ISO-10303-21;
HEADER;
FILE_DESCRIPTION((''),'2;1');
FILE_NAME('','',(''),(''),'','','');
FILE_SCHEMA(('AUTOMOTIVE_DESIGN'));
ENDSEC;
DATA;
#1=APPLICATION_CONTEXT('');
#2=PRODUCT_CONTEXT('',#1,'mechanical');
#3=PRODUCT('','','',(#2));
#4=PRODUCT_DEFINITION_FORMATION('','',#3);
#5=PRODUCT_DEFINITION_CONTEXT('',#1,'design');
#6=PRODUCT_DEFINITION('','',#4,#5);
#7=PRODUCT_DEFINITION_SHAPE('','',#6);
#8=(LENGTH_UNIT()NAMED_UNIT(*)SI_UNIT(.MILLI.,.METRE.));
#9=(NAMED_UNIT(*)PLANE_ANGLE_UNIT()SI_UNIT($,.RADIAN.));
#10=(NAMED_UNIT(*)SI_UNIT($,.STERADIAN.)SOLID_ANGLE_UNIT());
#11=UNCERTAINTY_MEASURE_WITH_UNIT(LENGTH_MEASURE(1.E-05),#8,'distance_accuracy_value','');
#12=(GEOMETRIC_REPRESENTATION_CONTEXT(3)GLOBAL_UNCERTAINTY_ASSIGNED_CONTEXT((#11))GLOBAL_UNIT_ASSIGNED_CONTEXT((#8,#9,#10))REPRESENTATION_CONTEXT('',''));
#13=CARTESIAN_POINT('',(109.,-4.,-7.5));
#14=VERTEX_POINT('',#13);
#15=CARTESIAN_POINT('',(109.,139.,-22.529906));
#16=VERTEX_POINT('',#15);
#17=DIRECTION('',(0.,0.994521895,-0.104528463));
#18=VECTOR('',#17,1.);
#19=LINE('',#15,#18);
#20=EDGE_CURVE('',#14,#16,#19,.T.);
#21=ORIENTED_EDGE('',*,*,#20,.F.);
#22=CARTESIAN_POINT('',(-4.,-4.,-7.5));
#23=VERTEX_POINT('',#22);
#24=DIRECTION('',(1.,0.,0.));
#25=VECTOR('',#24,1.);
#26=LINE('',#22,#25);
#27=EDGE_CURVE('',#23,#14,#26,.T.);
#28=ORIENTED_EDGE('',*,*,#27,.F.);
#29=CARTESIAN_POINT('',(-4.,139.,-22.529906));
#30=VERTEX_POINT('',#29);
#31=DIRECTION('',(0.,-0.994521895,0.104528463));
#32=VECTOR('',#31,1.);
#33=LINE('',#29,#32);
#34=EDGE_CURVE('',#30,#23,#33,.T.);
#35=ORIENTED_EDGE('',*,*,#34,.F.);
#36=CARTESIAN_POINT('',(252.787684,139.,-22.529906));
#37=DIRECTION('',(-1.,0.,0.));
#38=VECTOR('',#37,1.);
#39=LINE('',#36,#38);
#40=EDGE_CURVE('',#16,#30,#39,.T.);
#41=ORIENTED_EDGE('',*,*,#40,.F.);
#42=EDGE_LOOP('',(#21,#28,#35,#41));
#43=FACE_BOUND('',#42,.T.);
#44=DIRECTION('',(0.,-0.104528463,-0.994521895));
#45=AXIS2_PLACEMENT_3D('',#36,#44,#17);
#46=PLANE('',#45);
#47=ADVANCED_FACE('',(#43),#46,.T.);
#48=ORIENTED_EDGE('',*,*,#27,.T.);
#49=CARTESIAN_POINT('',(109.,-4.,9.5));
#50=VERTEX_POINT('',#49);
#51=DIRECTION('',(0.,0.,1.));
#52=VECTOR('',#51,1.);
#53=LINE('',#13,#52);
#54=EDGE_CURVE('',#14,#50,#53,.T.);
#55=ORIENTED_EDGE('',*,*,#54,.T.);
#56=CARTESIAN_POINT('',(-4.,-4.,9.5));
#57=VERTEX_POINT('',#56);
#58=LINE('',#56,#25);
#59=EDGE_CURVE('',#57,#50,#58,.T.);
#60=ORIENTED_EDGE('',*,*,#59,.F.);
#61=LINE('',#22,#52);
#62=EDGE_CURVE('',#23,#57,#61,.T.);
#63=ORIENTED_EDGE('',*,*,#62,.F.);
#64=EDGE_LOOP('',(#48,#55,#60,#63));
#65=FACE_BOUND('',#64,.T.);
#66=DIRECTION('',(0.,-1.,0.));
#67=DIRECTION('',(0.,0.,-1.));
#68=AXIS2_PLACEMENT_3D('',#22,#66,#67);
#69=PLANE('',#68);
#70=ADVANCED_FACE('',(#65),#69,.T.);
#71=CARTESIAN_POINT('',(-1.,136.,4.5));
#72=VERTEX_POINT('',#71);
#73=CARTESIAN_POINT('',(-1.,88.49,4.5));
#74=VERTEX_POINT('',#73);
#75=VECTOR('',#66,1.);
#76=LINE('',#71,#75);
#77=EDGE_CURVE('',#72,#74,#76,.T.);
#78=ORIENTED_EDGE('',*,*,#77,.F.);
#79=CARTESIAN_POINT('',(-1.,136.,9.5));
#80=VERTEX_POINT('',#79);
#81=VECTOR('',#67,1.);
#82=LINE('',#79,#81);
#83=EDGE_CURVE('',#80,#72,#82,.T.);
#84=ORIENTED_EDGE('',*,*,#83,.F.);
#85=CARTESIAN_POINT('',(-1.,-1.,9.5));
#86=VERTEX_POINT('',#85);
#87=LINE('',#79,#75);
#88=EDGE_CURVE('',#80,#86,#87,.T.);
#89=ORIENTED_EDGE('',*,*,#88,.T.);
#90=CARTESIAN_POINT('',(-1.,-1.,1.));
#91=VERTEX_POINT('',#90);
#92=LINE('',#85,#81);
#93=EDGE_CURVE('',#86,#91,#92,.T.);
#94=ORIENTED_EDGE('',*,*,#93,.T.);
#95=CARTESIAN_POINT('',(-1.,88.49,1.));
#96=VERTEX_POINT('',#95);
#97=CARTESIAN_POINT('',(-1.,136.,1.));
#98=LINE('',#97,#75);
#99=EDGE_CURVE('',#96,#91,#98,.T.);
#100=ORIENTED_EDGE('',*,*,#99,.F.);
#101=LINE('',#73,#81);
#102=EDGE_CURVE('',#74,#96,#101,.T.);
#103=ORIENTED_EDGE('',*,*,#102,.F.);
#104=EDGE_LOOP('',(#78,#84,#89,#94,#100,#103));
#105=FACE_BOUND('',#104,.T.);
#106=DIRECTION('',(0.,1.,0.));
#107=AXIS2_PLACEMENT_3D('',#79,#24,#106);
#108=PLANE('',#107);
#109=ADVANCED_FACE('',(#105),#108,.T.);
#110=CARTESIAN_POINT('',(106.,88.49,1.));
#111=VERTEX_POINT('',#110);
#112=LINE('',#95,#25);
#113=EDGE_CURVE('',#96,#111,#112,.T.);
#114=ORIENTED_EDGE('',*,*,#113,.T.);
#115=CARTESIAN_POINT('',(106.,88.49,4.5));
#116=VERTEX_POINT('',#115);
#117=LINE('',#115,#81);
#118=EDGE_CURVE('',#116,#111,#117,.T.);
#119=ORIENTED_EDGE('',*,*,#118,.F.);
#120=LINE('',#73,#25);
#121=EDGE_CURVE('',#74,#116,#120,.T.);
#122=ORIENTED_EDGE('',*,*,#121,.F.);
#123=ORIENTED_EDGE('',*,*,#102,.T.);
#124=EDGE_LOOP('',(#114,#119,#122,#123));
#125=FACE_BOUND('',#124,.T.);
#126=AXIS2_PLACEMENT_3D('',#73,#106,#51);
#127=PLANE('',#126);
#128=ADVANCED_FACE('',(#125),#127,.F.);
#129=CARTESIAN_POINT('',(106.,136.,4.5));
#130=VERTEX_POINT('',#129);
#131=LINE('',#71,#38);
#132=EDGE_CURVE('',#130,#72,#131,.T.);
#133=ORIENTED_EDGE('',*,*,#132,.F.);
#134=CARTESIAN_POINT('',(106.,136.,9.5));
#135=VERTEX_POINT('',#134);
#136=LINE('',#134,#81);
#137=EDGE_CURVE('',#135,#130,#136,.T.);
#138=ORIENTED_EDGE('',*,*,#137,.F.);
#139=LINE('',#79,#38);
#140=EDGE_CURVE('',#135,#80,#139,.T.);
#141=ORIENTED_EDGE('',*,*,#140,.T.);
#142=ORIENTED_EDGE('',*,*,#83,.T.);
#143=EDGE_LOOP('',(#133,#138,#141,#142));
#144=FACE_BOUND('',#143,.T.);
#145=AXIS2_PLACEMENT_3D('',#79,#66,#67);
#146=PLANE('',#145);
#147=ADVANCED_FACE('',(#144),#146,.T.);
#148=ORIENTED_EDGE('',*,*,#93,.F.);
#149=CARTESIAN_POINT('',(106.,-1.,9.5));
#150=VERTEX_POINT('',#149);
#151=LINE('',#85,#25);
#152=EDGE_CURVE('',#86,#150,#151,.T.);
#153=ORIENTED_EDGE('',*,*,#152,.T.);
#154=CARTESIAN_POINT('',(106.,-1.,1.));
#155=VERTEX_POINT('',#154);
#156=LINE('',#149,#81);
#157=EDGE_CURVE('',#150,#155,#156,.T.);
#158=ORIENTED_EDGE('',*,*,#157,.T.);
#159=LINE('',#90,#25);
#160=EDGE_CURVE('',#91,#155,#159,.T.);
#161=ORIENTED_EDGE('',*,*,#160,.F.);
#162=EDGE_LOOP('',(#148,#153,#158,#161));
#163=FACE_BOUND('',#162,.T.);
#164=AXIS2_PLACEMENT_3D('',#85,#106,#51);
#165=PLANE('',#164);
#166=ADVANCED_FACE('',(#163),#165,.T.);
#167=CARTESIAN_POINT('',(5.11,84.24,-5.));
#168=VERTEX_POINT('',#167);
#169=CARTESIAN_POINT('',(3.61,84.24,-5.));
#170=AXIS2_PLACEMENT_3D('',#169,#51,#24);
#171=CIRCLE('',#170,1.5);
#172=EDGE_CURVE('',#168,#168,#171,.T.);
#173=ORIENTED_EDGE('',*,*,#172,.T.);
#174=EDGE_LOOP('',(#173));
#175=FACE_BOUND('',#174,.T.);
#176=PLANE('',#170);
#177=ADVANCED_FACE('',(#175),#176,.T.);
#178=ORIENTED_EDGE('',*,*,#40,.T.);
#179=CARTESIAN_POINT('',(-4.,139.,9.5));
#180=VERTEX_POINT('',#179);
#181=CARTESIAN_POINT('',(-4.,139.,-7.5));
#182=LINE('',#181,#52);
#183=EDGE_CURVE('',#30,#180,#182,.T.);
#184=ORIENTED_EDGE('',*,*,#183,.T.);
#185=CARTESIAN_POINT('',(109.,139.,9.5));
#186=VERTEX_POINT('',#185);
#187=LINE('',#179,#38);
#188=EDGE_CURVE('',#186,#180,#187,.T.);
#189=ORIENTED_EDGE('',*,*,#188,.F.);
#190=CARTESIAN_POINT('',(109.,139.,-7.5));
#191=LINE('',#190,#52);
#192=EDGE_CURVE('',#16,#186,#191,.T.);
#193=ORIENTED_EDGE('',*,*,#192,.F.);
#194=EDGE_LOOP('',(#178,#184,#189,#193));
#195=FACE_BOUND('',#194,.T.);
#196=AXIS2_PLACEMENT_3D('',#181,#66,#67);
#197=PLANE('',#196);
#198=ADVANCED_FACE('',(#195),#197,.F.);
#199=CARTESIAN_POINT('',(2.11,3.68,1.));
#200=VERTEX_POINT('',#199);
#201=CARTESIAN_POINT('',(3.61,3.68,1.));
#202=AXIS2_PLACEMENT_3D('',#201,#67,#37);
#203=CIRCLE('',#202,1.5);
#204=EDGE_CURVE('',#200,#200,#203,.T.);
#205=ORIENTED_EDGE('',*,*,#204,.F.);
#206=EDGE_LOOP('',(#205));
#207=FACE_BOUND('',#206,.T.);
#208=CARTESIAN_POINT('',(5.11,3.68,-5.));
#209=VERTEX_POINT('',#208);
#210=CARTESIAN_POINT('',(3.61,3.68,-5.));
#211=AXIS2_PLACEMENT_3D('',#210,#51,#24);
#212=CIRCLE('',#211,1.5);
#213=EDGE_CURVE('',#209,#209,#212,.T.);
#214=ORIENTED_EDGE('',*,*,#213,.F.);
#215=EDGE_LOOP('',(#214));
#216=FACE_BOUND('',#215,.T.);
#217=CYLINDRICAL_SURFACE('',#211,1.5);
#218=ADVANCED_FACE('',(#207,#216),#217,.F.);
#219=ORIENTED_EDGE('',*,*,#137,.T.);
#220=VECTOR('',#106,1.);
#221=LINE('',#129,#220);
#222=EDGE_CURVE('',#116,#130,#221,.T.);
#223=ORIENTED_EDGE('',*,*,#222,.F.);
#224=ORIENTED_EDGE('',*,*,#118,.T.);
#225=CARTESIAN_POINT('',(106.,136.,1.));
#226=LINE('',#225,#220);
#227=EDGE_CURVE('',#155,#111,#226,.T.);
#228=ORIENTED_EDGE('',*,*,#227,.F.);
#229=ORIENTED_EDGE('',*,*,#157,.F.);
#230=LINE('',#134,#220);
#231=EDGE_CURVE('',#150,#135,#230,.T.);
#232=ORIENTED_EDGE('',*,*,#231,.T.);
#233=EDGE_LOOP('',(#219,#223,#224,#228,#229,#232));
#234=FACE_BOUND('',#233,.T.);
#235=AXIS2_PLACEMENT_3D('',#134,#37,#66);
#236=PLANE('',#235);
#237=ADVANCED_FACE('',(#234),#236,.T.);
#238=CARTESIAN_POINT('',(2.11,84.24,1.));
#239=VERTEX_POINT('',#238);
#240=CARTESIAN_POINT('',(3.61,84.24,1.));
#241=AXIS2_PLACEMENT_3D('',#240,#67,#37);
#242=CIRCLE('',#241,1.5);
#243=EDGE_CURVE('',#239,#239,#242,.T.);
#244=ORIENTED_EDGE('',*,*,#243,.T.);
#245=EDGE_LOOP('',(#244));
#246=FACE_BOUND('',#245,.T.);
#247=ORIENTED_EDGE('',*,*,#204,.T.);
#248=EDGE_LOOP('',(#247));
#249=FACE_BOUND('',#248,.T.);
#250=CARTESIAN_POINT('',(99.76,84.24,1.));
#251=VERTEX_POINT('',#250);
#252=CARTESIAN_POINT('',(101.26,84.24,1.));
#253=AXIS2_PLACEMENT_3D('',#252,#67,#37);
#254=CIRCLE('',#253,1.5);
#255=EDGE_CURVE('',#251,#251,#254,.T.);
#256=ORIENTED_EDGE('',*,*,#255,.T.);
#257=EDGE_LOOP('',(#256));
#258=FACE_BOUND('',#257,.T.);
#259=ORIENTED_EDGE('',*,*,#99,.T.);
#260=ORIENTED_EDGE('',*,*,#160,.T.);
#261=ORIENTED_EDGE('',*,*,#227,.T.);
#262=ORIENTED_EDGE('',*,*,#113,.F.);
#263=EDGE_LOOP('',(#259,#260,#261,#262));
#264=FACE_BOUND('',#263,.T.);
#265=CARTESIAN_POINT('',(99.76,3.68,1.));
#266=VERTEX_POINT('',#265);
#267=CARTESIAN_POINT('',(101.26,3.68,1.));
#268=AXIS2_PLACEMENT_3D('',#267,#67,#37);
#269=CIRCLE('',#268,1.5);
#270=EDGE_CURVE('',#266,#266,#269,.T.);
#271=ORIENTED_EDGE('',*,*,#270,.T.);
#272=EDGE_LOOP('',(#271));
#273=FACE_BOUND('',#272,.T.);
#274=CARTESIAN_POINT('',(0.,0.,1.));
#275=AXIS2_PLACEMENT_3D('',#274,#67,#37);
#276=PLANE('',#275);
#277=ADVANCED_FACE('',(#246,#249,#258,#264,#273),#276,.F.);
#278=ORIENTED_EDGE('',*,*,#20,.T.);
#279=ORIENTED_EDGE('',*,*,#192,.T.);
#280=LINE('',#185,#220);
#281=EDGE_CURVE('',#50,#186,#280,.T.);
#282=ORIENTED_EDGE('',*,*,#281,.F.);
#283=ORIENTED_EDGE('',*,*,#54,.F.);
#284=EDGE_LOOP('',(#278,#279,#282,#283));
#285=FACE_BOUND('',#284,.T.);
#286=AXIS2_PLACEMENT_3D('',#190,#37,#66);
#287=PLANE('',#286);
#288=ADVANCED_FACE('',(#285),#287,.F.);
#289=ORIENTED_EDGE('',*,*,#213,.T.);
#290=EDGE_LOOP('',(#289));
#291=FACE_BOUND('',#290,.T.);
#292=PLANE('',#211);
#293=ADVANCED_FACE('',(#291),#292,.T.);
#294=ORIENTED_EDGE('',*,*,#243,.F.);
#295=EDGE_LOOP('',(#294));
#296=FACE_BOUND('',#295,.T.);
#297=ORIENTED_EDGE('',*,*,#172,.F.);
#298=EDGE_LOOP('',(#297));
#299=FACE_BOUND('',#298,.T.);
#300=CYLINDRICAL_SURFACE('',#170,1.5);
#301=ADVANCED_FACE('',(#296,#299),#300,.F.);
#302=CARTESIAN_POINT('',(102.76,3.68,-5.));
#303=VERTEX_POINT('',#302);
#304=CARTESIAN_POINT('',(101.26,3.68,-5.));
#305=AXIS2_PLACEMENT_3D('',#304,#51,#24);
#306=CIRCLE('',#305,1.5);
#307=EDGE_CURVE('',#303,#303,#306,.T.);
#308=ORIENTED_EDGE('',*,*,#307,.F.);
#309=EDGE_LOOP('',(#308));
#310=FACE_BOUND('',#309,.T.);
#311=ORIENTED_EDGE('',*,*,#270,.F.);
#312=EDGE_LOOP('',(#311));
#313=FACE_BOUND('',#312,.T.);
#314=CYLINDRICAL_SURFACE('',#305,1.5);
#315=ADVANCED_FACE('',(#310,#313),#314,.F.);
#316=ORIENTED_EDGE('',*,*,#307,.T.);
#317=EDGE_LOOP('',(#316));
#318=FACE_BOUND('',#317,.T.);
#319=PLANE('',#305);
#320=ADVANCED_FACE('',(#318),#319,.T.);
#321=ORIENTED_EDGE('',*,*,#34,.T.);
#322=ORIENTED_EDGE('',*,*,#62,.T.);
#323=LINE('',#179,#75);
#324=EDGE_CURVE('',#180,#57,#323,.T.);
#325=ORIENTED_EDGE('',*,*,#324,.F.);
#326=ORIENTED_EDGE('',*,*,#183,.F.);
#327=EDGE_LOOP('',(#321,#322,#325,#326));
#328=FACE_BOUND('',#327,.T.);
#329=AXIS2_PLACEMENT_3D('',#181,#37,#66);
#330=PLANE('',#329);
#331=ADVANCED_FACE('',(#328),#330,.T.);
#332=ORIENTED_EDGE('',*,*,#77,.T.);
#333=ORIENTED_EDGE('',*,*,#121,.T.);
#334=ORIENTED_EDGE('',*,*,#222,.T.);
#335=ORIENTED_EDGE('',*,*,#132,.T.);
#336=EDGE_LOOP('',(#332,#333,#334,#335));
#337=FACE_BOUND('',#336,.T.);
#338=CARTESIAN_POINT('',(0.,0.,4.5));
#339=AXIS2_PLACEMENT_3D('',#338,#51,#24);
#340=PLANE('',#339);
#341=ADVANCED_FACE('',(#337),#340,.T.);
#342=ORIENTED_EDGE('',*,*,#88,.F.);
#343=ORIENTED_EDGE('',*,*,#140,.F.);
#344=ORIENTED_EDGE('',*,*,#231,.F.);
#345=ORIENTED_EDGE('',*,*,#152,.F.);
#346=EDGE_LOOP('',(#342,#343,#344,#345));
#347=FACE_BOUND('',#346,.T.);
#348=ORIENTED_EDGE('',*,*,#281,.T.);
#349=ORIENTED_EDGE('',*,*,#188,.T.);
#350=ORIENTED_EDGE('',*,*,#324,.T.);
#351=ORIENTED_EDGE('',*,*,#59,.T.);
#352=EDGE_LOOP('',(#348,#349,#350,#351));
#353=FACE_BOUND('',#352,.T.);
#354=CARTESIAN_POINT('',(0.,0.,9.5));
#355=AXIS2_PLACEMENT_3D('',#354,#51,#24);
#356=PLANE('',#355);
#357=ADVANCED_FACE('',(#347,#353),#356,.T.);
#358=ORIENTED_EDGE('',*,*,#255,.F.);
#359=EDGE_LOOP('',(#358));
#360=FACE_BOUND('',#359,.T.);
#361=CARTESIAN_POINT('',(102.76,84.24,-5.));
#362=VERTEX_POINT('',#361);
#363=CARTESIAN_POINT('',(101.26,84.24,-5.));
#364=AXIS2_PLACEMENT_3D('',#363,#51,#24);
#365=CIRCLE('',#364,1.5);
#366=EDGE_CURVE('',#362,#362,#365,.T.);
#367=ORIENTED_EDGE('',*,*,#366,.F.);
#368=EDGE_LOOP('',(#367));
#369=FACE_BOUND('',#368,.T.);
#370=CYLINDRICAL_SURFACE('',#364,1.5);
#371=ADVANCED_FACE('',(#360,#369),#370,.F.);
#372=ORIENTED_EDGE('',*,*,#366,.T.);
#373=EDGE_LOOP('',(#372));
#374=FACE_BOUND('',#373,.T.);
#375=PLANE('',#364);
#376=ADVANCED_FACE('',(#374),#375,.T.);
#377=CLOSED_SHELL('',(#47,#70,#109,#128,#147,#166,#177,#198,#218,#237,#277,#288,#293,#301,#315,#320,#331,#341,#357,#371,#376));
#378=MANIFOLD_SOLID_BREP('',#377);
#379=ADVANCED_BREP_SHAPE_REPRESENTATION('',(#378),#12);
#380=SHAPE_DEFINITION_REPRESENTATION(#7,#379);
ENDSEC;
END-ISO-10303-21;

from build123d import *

# Parameters (mm, degrees)
SKETCH_1_W               = 105
SKETCH_1_H               = 135
SKETCH_1_R               = 1.5
EXTRUDE_1_DEPTH          = 1
SKETCH_3_W               = 113
SKETCH_3_H               = 143
SKETCH_3_W_2             = 107
SKETCH_3_H_2             = 137
EXTRUDE_2_DEPTH          = 8.5
SKETCH_3_3_W             = 113
SKETCH_3_3_H             = 143
EXTRUDE_3_DEPTH          = 8.5
CUT_EXTRUDE_1_DEPTH      = 6
CUT_EXTRUDE_1_DEPTH_BACK = 5
SKETCH_1_2_R             = 1.5
SKETCH_4_W               = 107
SKETCH_4_H               = 47.51
EXTRUDE_4_DEPTH          = 3.5
EXTRUDE_5_DEPTH          = 113


with BuildPart() as part:
    # 草圖1 → 填料-伸長1 (new body)
    with BuildSketch(Plane.XY):
        with Locations((52.5, 67.5)):
            Rectangle(SKETCH_1_W, SKETCH_1_H)
        with Locations((3.61, 3.68)):
            Circle(SKETCH_1_R, mode=Mode.SUBTRACT)
        with Locations((101.26, 3.68)):
            Circle(SKETCH_1_R, mode=Mode.SUBTRACT)
        with Locations((3.61, 84.24)):
            Circle(SKETCH_1_R, mode=Mode.SUBTRACT)
        with Locations((101.26, 84.24)):
            Circle(SKETCH_1_R, mode=Mode.SUBTRACT)
    extrude(amount=EXTRUDE_1_DEPTH)



with BuildPart() as body_2:
    # 草圖3 → 填料-伸長2 (new body)
    with BuildSketch(Plane.XY.offset(1)):
        with Locations((52.5, 67.5)):
            Rectangle(SKETCH_3_W, SKETCH_3_H)
        with Locations((52.5, 67.5)):
            Rectangle(SKETCH_3_W_2, SKETCH_3_H_2, mode=Mode.SUBTRACT)
    extrude(amount=EXTRUDE_2_DEPTH)


with BuildPart() as part_1:
    add(part.part)

    add(body_2.part)  # 填料-伸長3 merges body 2
    # 草圖3<3> → 填料-伸長3 (add)
    with BuildSketch(Plane.XY.offset(1)):
        with Locations((52.5, 67.5)):
            Rectangle(SKETCH_3_3_W, SKETCH_3_3_H)
    extrude(amount=-EXTRUDE_3_DEPTH)

    # 草圖1<2> → 除料-伸長1 (cut, two sides: drawn at the far end of the back side and taken through both)
    with BuildSketch(Plane.XY.offset(-CUT_EXTRUDE_1_DEPTH_BACK)):
        with Locations((3.61, 3.68)):
            Circle(SKETCH_1_2_R)
        with Locations((101.26, 3.68)):
            Circle(SKETCH_1_2_R)
        with Locations((3.61, 84.24)):
            Circle(SKETCH_1_2_R)
        with Locations((101.26, 84.24)):
            Circle(SKETCH_1_2_R)
    extrude(amount=CUT_EXTRUDE_1_DEPTH + CUT_EXTRUDE_1_DEPTH_BACK, mode=Mode.SUBTRACT)

    # 草圖4 → 填料-伸長4 (add)
    with BuildSketch(Plane.XY.offset(1)):
        with Locations((52.5, 112.245)):
            Rectangle(SKETCH_4_W, SKETCH_4_H)
    extrude(amount=EXTRUDE_4_DEPTH)

    # 草圖5 → 填料-伸長5 (add)
    with BuildSketch(Plane.ZY.offset(4)):
        Polygon((-7.5, 139), (-22.529905643, 139), (-7.5, -4), align=None)
    extrude(amount=-EXTRUDE_5_DEPTH)


solid = part_1.part
